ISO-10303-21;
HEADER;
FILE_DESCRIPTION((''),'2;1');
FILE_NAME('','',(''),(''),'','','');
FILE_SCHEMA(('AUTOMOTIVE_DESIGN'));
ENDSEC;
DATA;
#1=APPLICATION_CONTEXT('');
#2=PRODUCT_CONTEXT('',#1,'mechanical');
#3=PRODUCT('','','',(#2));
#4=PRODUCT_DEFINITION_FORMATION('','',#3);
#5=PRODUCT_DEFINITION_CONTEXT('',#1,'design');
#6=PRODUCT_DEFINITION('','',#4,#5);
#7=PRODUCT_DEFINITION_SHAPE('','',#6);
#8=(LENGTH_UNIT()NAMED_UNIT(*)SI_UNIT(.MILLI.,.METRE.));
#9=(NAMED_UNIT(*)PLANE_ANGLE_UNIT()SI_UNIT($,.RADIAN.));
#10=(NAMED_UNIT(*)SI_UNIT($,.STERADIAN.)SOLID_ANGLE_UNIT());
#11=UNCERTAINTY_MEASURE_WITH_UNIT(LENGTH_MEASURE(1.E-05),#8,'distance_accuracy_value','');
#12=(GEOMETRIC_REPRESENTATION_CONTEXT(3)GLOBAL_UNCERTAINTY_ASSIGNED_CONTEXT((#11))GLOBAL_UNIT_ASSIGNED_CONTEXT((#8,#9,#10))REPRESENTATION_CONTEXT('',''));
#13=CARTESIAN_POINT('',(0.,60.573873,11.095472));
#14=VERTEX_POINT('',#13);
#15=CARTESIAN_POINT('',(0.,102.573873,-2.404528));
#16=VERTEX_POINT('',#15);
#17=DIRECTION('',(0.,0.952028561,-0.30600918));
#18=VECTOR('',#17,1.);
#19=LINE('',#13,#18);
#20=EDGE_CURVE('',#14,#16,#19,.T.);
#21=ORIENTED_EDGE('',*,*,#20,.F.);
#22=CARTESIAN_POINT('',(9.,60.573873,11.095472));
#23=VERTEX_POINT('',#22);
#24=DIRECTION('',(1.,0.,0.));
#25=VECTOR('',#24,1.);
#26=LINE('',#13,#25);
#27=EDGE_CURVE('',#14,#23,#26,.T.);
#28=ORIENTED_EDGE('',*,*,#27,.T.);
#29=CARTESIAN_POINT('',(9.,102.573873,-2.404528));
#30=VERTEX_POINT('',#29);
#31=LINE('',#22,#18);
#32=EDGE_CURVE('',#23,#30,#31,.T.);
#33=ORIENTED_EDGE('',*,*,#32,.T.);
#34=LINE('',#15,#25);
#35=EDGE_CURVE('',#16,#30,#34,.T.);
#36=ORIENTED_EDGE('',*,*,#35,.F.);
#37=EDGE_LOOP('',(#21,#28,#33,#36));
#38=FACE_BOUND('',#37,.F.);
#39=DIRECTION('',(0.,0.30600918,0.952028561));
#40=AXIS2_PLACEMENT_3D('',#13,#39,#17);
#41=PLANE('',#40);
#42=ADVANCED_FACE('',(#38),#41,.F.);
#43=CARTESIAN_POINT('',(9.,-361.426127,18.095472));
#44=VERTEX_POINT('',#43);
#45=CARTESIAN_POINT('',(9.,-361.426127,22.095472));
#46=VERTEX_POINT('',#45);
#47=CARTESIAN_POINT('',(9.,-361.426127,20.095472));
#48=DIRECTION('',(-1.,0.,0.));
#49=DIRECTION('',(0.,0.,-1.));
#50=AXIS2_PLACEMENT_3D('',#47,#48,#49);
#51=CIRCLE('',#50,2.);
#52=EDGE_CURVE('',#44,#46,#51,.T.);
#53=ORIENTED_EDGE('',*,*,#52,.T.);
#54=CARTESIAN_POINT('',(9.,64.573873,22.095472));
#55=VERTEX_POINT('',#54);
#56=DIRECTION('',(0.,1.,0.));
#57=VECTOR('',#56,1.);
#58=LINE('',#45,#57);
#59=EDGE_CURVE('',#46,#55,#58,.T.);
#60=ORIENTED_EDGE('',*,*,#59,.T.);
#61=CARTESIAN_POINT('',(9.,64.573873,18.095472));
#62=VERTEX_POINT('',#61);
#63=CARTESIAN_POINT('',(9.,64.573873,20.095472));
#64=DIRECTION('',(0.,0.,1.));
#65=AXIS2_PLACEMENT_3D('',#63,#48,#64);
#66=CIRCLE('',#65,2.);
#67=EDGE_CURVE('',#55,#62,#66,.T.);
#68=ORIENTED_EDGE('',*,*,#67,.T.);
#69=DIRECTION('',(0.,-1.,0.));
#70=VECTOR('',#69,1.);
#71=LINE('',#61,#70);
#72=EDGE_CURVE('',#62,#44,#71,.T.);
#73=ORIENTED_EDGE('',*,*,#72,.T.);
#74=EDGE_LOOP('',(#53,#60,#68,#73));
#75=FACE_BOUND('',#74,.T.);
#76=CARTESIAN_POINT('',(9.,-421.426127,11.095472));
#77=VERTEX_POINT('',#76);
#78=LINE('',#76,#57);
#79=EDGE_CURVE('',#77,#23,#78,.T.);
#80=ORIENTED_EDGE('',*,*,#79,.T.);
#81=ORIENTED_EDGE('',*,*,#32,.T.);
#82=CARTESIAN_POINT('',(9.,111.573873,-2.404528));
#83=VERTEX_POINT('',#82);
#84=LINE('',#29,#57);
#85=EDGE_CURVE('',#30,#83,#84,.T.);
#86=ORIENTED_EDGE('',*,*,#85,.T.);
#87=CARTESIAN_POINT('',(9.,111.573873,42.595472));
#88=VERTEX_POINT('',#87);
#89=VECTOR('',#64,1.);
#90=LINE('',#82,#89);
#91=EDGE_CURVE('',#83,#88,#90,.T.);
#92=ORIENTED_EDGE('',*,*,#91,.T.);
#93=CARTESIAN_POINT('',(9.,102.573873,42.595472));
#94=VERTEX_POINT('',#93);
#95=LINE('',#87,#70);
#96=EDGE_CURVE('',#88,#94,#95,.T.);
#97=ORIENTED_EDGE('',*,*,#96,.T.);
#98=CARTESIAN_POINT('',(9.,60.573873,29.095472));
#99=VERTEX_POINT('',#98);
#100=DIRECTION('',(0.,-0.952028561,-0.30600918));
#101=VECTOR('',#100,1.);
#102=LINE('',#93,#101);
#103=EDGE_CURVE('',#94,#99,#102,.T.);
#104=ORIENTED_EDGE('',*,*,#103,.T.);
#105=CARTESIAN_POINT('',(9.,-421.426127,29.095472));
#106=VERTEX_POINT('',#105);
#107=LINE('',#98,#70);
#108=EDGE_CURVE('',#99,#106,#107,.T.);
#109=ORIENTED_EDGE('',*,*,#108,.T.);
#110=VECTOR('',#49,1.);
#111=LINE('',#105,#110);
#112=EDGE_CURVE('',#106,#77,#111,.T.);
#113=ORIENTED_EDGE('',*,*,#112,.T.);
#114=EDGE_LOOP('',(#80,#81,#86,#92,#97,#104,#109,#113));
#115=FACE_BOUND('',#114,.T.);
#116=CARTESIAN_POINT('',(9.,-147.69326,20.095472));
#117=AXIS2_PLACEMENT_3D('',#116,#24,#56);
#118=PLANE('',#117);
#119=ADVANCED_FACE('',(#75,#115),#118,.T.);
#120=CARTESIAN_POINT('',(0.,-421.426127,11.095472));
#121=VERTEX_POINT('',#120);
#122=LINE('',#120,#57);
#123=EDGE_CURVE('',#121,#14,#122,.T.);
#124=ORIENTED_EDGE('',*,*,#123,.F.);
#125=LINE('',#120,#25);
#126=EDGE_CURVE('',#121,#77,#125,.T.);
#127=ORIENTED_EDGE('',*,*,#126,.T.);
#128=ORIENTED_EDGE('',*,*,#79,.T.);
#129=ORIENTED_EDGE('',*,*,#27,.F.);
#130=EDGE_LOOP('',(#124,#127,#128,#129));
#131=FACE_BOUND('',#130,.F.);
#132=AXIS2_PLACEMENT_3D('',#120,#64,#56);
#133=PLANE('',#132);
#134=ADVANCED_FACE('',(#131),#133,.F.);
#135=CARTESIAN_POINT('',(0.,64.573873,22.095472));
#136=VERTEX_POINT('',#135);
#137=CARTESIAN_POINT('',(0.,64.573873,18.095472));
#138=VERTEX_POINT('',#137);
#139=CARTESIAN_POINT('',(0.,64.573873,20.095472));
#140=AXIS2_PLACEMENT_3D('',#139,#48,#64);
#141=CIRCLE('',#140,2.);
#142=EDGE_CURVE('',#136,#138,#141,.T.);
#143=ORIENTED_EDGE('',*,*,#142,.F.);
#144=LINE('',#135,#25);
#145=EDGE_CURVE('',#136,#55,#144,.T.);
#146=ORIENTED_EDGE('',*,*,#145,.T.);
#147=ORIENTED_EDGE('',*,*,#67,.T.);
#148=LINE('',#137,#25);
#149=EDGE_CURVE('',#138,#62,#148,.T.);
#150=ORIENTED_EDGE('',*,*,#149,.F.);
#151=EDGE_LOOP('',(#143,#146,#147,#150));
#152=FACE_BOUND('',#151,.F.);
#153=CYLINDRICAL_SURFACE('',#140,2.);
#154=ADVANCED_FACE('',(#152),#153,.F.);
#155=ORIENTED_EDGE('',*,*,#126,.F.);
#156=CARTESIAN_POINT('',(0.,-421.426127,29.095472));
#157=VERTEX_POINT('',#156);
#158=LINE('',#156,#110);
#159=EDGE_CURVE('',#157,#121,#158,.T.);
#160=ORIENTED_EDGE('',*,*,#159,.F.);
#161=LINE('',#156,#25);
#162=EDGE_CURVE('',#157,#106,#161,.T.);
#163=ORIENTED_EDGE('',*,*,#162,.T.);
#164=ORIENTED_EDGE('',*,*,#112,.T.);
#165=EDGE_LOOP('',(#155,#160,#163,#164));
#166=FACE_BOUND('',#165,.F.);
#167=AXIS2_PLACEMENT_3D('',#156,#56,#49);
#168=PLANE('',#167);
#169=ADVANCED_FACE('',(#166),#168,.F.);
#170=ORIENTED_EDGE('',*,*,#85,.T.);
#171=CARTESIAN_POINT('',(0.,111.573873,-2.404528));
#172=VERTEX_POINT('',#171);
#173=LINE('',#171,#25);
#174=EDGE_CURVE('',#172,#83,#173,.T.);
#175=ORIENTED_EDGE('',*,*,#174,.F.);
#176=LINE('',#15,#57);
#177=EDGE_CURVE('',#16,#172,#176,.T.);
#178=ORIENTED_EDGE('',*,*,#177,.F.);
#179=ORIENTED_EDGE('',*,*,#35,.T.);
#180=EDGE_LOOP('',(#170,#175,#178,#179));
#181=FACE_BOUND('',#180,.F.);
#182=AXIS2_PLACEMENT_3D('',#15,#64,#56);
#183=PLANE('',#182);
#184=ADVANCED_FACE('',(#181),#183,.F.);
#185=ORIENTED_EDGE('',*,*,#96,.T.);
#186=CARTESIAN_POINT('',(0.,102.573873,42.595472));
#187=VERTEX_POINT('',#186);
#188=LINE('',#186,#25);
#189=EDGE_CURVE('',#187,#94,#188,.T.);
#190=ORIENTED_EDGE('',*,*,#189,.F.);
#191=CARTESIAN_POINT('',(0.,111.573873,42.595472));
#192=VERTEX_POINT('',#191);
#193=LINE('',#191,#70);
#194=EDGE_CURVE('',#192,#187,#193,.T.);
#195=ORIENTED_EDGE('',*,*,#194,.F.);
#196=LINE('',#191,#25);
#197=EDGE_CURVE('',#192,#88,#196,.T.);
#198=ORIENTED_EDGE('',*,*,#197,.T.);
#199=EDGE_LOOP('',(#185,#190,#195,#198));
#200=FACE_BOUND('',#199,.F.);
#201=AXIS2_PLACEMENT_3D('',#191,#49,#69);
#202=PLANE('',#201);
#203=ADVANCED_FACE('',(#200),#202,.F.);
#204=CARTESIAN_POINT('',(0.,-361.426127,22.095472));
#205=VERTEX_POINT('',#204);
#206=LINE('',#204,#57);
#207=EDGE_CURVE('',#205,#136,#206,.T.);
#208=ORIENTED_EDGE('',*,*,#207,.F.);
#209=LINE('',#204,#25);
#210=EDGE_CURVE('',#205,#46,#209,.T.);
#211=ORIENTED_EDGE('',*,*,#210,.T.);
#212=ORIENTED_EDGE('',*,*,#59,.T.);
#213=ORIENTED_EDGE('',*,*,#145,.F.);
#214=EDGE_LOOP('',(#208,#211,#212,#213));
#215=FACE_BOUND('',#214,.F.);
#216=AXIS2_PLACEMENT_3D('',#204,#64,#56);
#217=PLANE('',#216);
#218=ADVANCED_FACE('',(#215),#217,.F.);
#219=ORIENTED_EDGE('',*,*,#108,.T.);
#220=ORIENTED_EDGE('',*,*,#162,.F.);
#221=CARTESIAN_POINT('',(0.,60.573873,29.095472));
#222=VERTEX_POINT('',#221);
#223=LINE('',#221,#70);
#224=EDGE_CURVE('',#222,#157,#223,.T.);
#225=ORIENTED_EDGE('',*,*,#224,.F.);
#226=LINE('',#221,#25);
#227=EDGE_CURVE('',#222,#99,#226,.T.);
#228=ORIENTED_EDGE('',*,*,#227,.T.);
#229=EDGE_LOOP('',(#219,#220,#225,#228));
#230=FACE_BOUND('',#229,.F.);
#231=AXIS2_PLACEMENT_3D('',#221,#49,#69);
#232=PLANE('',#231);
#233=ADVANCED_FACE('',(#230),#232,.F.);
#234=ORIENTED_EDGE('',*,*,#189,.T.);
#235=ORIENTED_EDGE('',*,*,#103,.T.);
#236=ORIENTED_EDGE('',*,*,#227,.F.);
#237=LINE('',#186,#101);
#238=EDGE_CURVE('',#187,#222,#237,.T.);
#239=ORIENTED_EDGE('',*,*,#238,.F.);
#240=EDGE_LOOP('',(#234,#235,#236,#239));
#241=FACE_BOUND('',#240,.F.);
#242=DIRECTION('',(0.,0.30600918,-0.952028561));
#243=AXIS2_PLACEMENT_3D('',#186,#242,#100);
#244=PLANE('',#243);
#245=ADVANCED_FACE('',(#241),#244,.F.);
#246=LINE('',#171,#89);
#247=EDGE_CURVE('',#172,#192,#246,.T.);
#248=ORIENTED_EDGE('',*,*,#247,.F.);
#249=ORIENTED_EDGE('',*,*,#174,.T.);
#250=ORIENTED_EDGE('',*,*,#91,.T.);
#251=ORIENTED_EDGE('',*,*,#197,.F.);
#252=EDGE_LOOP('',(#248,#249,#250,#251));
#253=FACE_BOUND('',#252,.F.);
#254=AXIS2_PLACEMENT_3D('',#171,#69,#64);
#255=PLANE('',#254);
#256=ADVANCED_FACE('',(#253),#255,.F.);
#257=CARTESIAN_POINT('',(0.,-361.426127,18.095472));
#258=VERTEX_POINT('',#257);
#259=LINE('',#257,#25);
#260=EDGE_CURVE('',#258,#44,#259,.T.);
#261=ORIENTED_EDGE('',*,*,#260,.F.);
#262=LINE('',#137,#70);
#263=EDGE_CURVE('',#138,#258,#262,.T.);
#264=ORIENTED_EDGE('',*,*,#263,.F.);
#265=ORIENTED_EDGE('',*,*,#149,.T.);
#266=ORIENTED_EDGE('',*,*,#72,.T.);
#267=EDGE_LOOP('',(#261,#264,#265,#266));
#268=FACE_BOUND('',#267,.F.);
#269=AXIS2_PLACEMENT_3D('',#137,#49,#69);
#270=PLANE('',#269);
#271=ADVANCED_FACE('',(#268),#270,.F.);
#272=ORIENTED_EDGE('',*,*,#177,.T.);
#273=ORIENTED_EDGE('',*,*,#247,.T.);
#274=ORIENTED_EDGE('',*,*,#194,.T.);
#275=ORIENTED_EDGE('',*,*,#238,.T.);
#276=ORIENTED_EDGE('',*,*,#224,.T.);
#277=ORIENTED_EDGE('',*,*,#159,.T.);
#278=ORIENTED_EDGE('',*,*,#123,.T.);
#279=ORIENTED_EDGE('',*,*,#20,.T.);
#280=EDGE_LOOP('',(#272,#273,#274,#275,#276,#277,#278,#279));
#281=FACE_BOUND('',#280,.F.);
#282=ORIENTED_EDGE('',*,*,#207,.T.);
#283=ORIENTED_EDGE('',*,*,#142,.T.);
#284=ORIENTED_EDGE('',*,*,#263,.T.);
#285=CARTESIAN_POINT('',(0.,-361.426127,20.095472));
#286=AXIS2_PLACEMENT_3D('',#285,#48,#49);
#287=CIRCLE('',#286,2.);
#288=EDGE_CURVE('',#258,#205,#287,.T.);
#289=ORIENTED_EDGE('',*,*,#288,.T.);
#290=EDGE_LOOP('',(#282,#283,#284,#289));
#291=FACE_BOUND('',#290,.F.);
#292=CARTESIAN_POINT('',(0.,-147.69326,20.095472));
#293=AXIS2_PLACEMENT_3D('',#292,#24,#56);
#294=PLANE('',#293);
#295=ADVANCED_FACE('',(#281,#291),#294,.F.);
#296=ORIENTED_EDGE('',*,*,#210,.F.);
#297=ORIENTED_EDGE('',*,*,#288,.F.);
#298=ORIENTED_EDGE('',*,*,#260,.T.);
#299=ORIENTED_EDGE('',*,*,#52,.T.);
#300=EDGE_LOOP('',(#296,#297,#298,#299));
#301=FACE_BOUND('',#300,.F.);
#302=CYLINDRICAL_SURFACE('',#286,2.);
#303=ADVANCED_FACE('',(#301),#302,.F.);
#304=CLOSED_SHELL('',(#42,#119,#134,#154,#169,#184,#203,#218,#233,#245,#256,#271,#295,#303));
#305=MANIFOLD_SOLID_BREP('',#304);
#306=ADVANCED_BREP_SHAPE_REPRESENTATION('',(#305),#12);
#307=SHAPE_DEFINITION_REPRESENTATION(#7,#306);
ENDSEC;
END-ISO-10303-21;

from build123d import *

# Parameters (mm, degrees)
F1_DEPTH = 9


with BuildPart() as f1:
    # F0 (on Right) → F1 (new body)
    with BuildSketch(Plane.YZ):
        Polygon((111.573873, -2.404528), (111.573873, 42.595472), (102.573873, 42.595472), (60.573873, 29.095472), (-361.426127, 29.095472), (-405.426127, 29.095472), (-421.426127, 29.095472), (-421.426127, 11.095472), (-405.426127, 11.095472), (-361.426127, 11.095472), (60.573873, 11.095472), (102.573873, -2.404528), align=None)
        with BuildLine():
            Line((-361.426127, 22.095472), (64.573873, 22.095472))
            ThreePointArc((64.573873, 22.095472), (66.573873, 20.095472), (64.573873, 18.095472))
            Line((64.573873, 18.095472), (-361.426127, 18.095472))
            ThreePointArc((-361.426127, 18.095472), (-363.426127, 20.095472), (-361.426127, 22.095472))
        make_face(mode=Mode.SUBTRACT)
    extrude(amount=F1_DEPTH)


solid = f1.part
